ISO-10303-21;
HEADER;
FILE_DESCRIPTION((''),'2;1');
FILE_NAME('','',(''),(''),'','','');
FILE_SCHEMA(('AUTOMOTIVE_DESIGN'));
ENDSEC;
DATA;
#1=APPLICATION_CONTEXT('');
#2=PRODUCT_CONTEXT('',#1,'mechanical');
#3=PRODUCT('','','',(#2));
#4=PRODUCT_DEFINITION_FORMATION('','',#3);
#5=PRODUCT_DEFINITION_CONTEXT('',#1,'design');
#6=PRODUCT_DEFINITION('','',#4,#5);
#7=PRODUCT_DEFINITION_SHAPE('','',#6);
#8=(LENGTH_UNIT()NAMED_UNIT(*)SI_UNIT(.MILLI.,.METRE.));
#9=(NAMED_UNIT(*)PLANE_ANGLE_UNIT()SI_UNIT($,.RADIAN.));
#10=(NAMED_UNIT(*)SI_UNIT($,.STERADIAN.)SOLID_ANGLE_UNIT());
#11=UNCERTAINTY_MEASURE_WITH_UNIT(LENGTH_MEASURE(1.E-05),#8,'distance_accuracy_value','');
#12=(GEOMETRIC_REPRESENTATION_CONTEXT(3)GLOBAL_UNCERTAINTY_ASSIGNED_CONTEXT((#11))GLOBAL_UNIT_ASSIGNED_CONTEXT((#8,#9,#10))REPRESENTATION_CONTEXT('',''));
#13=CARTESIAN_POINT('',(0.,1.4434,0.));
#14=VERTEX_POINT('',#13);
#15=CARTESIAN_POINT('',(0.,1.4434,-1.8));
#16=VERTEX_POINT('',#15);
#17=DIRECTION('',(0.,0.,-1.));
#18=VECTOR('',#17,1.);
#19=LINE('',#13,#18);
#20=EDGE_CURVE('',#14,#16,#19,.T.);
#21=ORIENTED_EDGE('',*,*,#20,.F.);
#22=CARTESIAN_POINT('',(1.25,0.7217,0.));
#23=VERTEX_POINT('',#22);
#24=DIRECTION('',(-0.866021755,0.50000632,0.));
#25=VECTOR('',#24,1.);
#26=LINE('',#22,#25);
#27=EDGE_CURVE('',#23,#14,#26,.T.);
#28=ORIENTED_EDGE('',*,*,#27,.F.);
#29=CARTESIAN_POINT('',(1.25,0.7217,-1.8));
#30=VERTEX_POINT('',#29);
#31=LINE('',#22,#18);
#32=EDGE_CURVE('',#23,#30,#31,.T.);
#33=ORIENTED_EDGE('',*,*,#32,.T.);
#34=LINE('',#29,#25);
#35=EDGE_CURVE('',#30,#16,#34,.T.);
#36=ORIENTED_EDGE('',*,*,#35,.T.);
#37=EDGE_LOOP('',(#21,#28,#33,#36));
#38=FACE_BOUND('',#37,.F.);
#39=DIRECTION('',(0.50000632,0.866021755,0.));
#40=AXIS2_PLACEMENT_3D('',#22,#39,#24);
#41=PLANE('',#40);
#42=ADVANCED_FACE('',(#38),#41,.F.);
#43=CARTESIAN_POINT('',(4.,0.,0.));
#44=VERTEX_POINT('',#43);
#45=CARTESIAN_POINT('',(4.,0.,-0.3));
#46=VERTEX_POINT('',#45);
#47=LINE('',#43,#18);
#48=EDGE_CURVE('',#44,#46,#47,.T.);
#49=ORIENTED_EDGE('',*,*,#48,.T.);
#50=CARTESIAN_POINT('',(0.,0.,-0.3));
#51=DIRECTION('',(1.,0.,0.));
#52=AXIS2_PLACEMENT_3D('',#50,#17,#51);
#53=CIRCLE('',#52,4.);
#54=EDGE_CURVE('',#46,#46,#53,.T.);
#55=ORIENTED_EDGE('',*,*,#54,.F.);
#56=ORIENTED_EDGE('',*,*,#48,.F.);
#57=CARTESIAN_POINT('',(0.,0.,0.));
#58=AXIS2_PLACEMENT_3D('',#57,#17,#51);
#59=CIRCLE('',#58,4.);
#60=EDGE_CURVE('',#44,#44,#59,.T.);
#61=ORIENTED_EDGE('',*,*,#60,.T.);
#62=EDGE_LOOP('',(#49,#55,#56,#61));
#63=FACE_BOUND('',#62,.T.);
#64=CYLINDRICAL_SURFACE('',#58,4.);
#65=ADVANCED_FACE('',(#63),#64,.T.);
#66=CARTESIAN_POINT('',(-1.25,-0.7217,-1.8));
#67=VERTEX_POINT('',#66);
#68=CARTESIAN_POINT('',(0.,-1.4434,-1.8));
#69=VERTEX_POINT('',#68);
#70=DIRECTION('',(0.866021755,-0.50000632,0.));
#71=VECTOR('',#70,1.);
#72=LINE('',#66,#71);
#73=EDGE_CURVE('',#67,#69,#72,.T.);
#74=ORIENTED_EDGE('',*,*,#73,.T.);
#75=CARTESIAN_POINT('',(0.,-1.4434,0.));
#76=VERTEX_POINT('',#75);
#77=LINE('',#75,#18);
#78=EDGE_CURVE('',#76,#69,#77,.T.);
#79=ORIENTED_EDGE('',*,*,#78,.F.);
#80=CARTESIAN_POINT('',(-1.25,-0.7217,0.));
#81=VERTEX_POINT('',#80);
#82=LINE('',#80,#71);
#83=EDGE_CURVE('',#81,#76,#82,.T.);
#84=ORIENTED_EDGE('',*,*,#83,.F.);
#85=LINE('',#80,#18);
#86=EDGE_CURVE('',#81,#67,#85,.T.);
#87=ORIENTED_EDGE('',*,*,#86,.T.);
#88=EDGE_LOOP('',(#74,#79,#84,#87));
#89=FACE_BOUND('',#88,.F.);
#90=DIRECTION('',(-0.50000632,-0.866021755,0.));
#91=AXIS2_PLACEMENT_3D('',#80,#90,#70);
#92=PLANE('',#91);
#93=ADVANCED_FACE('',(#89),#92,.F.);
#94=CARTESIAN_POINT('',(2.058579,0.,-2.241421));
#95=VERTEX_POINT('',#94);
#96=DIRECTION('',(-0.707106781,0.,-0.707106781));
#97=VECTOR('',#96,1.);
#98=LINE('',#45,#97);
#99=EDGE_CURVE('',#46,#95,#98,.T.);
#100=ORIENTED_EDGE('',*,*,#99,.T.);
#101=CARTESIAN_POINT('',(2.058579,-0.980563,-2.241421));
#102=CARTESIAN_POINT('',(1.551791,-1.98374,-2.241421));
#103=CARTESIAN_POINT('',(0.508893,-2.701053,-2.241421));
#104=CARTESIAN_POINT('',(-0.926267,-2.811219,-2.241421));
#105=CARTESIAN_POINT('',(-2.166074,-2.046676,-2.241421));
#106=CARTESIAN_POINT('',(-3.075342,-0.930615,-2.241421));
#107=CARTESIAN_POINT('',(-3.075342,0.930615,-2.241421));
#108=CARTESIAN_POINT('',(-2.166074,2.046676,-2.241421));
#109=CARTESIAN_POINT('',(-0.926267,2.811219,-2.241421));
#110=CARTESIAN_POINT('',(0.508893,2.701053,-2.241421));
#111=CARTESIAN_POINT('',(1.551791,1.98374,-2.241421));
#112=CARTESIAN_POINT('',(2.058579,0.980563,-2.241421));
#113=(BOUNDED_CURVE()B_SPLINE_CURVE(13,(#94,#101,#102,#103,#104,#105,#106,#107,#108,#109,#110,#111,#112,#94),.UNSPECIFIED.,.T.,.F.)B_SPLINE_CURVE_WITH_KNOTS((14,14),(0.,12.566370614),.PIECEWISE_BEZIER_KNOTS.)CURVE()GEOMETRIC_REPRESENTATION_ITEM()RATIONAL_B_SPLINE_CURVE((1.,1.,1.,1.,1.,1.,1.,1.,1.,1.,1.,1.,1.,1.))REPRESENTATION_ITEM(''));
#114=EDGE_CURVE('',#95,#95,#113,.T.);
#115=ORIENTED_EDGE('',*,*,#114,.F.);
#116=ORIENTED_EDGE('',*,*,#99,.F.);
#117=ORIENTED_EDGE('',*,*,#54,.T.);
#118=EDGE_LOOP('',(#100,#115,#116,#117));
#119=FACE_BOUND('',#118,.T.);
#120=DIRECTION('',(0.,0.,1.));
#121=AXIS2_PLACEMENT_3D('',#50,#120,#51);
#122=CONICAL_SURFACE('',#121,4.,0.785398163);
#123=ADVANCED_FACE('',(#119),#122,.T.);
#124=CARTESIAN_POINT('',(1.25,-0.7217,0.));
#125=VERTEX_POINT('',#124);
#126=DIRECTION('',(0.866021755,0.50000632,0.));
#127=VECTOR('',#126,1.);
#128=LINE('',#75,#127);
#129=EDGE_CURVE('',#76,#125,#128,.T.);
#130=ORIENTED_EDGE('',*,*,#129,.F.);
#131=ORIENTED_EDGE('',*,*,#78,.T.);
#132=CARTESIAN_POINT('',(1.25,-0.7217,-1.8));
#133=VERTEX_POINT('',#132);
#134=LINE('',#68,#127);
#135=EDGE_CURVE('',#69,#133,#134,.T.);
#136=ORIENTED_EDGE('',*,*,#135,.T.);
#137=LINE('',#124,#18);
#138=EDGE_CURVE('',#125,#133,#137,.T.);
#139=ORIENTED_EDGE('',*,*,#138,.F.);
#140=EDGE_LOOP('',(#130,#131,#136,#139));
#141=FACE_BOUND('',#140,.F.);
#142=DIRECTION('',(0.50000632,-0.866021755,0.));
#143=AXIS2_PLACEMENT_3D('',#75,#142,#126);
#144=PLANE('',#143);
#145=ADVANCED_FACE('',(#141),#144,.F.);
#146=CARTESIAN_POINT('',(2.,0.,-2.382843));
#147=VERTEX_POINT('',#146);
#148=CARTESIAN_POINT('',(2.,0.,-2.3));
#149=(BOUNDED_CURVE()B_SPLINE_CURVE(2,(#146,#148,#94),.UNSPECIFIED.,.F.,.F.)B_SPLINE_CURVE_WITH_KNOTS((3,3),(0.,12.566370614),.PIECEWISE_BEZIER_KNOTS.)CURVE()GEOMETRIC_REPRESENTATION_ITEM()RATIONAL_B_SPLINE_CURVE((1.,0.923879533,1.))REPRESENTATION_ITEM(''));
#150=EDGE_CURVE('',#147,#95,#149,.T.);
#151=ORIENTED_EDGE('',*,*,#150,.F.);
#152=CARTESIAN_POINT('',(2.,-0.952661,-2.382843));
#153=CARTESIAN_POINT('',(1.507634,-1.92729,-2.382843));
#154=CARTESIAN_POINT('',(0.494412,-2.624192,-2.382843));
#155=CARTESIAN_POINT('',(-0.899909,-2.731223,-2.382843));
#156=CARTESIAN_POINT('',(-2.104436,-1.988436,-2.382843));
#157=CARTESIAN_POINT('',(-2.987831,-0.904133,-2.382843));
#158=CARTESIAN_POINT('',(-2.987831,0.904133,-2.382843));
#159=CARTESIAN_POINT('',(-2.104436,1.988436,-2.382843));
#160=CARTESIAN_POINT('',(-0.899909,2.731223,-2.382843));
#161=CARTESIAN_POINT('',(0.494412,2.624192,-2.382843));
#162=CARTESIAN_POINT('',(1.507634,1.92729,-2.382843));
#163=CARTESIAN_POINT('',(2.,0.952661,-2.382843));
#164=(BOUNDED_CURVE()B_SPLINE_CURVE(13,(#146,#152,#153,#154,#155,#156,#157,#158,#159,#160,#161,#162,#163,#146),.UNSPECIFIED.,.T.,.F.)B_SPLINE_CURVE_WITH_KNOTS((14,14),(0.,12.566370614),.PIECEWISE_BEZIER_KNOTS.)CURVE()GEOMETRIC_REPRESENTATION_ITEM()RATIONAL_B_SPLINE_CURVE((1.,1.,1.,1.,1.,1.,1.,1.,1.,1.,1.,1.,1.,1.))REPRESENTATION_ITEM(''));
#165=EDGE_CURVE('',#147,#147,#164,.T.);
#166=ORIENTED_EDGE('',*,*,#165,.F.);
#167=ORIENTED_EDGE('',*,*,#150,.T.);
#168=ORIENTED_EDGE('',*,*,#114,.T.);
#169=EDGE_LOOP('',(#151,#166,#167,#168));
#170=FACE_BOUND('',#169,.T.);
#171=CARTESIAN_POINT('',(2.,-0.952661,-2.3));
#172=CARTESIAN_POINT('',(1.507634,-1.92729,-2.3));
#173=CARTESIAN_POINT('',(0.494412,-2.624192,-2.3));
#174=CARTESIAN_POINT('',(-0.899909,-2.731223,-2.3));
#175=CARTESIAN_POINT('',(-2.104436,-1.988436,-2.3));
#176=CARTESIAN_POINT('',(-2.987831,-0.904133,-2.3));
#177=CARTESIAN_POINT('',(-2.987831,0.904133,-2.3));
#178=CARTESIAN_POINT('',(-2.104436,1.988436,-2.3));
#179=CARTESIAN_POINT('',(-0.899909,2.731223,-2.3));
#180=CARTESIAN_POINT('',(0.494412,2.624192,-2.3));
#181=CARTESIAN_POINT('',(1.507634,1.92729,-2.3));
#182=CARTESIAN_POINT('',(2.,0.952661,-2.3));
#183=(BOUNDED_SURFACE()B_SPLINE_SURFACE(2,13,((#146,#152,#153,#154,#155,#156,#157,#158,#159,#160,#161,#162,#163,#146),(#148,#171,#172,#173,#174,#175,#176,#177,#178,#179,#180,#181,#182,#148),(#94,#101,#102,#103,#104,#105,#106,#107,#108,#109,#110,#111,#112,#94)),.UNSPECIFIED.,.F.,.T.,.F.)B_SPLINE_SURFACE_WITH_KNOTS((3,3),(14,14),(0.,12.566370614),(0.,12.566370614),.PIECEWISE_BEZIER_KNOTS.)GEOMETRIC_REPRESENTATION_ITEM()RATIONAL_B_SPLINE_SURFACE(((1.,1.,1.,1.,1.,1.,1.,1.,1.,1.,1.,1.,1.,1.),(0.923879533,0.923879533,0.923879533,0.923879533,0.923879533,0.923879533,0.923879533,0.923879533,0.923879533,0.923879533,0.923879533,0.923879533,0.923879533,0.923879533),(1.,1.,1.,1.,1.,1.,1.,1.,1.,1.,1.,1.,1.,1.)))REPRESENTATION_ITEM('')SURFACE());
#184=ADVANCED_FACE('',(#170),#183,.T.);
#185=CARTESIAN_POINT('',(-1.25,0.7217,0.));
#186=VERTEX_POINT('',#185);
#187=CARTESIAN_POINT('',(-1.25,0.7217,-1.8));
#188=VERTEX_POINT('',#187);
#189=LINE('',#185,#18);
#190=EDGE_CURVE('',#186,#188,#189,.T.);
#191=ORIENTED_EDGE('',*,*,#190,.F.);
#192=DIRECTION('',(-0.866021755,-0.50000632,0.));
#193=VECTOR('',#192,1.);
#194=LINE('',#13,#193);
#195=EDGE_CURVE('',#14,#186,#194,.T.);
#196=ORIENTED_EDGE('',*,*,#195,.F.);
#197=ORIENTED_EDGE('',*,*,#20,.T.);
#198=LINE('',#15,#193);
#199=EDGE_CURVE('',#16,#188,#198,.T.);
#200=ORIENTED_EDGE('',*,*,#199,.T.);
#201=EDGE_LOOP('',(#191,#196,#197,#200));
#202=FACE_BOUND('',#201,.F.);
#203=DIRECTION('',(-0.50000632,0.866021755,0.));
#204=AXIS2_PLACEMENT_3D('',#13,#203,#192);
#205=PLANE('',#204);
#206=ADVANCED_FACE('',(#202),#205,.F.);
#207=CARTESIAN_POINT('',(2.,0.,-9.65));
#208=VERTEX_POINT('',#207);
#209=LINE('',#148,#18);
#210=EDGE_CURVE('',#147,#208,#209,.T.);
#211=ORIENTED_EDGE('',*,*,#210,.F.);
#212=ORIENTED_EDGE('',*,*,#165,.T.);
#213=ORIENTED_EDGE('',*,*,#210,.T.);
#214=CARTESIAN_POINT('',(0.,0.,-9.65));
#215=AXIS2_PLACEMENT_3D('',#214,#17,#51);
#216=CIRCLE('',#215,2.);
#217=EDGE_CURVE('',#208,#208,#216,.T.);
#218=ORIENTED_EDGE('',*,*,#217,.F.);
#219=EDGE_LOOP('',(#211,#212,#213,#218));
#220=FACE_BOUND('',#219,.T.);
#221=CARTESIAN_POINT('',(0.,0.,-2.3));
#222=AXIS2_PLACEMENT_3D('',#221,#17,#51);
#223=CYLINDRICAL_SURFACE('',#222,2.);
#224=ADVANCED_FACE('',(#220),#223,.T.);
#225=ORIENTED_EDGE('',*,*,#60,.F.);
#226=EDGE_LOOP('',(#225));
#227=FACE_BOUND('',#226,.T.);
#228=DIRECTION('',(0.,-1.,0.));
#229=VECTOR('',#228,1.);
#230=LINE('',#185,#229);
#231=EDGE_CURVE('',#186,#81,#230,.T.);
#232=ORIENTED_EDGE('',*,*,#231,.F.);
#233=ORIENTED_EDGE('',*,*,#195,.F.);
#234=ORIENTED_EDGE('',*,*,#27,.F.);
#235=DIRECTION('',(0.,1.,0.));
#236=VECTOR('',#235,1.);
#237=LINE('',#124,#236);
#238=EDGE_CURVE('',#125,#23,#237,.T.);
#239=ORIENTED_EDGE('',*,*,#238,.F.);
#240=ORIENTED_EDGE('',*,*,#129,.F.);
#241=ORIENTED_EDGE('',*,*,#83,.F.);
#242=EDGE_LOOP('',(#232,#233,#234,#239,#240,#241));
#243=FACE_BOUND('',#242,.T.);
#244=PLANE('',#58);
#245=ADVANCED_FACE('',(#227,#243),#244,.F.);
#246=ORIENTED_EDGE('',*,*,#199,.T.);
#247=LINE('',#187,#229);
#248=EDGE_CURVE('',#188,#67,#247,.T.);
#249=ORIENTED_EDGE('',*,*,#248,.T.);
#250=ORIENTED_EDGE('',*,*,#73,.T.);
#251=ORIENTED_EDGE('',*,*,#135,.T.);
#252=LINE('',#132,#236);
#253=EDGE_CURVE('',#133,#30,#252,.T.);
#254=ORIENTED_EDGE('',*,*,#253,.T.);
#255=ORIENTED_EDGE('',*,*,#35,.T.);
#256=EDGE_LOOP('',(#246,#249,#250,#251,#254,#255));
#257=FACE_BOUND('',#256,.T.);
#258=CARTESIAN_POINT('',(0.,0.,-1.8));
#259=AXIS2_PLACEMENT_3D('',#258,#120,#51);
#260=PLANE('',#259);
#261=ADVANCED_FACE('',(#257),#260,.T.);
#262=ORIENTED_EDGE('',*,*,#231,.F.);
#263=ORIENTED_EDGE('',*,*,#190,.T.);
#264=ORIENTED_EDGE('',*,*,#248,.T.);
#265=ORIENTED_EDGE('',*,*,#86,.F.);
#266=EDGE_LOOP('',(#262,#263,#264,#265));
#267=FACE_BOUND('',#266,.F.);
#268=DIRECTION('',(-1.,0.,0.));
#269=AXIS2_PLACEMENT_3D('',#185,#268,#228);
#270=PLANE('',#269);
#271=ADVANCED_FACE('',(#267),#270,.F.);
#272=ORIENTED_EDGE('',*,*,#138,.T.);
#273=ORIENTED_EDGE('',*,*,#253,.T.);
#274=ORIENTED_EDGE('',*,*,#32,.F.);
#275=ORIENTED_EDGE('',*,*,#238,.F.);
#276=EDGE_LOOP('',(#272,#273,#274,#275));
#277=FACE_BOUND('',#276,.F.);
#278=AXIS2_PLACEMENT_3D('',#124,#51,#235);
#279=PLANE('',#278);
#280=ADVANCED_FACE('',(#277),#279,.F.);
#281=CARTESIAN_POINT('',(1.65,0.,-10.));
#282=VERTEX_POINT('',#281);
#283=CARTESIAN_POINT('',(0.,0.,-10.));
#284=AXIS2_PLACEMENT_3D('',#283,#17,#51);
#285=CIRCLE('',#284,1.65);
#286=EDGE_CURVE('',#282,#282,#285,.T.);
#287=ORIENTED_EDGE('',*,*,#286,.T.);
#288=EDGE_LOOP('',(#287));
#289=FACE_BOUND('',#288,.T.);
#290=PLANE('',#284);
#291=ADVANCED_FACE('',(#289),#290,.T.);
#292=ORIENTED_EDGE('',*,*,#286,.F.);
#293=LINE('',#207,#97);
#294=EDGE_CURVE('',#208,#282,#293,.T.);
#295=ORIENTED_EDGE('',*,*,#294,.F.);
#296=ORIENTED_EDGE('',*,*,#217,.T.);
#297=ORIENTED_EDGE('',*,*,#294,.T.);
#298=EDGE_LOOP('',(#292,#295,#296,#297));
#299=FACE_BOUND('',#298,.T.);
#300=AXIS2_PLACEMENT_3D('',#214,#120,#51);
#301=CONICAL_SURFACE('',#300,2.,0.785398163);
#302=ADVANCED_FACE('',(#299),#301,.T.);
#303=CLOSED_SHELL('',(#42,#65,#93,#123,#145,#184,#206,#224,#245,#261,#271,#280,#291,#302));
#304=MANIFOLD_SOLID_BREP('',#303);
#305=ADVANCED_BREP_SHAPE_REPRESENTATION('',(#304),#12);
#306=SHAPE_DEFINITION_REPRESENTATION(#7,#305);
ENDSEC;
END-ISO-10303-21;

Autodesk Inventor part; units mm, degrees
ref_plane "YZ Plane" through (0, 0, 0) normal (1, 0, 0) x (0, 1, 0)
sketch "Esquisse1" plane through (0, 0, 0) normal (0, 1, 0) x (-1, 0, 0)
  point P0 (0, 0)
sketch "Esquisse2" plane through (0, 0, 0) normal (0, 1, 0) x (-1, 0, 0)
  line L0 (-2, -10) -> (0, -10)
  line L1 (-2, -2.3) -> (-2, -10)
  line L2 (-4, -0.3) -> (-2, -2.3)
  line L3 (-4, 0) -> (-4, -0.3)
  line L4 (0, 0) -> (-4, 0)
  line L5 (0, -10) -> (0, 0)
  line L6 (0, -10) -> (0, 0)
  line L7 (0, -12) -> (0, 2) projected
  line L8 (0.8, 0) -> (-4.8, 0) projected
  dimension "d3" = 4
  dimension "d5" = 2
  dimension "d7" = 10
  dimension "ParC" = 0.3
  dimension "d22" = 0
  dimension "d23" = 0
  dimension "d43" = 45
revolve "Révolution1" add sketch "Esquisse2" angle 360 about axis through (0, 0, -10) along (0, 0, -1)
sketch "Esquisse3" plane through (0, 0, 0) normal (0, 0, 1) x (1, 0, 0)
  line L0 (-1.25, 0.7217) -> (-1.25, -0.7217)
  line L1 (0, 1.4434) -> (-1.25, 0.7217)
  line L2 (1.25, 0.7217) -> (0, 1.4434)
  line L3 (1.25, -0.7217) -> (1.25, 0.7217)
  line L4 (0, -1.4434) -> (1.25, -0.7217)
  line L5 (-1.25, -0.7217) -> (0, -1.4434)
  circle A0 centre (0, 0) radius 1.25 construction
  circle A1 centre (0, 0) radius 2 construction
  dimension "d11" = 2.5
  dimension "d13" = 120
  dimension "d15" = 120
extrude "Extrusion1" cut sketch "Esquisse3" against normal blind 1.8
fillet "Congé1" radius 0.2 1 edges at (-2, 0, -2.3)
chamfer "Chanfrein1" distance 0.35 angle 45 1 edges at (-2, 0, -10) measured on face at (-0.9288, -1.7713, -7.4609)
thread "Filetage1" size "M4x0.7" class "6g" standard "ISO Metric profile" length 6.3
ref_plane "MSC_PF1" through (0, 0, 0) normal (1, 0, 0) x (0, 1, 0)
ref_plane "MSC_PT1" through (0, 0, 0) normal (0, 0, -1) x (-1, 0, 0)
equation "\"d3\" = 0.5 * dk"
equation "\"d5\" = 0.5 * NND"
equation "\"d7\" = NLG"
equation "\"d43\" = 0.5 * ang"
equation "\"d11\" = ParS"
equation "\"d16\" = ParT"
equation "\"d18\" = r"
equation "\"d19\" = 0.5 * PTC"
equation "\"d39\" = 0.5 * PTC"
equation "\"NND\" = 4"
equation "\"PTC\" = 0.7"
equation "\"dk\" = 8"
equation "\"ParK\" = 2.3"
equation "\"ParS\" = 2.5"
equation "\"ParT\" = 1.8"
equation "\"r\" = 0.2"
equation "\"NLG\" = 10"
equation "\"ang\" = 90deg"
equation "\"THREADDIA\" = NND"
properties part number "DIN 7991 - M4x10" material "Acier, doux"
